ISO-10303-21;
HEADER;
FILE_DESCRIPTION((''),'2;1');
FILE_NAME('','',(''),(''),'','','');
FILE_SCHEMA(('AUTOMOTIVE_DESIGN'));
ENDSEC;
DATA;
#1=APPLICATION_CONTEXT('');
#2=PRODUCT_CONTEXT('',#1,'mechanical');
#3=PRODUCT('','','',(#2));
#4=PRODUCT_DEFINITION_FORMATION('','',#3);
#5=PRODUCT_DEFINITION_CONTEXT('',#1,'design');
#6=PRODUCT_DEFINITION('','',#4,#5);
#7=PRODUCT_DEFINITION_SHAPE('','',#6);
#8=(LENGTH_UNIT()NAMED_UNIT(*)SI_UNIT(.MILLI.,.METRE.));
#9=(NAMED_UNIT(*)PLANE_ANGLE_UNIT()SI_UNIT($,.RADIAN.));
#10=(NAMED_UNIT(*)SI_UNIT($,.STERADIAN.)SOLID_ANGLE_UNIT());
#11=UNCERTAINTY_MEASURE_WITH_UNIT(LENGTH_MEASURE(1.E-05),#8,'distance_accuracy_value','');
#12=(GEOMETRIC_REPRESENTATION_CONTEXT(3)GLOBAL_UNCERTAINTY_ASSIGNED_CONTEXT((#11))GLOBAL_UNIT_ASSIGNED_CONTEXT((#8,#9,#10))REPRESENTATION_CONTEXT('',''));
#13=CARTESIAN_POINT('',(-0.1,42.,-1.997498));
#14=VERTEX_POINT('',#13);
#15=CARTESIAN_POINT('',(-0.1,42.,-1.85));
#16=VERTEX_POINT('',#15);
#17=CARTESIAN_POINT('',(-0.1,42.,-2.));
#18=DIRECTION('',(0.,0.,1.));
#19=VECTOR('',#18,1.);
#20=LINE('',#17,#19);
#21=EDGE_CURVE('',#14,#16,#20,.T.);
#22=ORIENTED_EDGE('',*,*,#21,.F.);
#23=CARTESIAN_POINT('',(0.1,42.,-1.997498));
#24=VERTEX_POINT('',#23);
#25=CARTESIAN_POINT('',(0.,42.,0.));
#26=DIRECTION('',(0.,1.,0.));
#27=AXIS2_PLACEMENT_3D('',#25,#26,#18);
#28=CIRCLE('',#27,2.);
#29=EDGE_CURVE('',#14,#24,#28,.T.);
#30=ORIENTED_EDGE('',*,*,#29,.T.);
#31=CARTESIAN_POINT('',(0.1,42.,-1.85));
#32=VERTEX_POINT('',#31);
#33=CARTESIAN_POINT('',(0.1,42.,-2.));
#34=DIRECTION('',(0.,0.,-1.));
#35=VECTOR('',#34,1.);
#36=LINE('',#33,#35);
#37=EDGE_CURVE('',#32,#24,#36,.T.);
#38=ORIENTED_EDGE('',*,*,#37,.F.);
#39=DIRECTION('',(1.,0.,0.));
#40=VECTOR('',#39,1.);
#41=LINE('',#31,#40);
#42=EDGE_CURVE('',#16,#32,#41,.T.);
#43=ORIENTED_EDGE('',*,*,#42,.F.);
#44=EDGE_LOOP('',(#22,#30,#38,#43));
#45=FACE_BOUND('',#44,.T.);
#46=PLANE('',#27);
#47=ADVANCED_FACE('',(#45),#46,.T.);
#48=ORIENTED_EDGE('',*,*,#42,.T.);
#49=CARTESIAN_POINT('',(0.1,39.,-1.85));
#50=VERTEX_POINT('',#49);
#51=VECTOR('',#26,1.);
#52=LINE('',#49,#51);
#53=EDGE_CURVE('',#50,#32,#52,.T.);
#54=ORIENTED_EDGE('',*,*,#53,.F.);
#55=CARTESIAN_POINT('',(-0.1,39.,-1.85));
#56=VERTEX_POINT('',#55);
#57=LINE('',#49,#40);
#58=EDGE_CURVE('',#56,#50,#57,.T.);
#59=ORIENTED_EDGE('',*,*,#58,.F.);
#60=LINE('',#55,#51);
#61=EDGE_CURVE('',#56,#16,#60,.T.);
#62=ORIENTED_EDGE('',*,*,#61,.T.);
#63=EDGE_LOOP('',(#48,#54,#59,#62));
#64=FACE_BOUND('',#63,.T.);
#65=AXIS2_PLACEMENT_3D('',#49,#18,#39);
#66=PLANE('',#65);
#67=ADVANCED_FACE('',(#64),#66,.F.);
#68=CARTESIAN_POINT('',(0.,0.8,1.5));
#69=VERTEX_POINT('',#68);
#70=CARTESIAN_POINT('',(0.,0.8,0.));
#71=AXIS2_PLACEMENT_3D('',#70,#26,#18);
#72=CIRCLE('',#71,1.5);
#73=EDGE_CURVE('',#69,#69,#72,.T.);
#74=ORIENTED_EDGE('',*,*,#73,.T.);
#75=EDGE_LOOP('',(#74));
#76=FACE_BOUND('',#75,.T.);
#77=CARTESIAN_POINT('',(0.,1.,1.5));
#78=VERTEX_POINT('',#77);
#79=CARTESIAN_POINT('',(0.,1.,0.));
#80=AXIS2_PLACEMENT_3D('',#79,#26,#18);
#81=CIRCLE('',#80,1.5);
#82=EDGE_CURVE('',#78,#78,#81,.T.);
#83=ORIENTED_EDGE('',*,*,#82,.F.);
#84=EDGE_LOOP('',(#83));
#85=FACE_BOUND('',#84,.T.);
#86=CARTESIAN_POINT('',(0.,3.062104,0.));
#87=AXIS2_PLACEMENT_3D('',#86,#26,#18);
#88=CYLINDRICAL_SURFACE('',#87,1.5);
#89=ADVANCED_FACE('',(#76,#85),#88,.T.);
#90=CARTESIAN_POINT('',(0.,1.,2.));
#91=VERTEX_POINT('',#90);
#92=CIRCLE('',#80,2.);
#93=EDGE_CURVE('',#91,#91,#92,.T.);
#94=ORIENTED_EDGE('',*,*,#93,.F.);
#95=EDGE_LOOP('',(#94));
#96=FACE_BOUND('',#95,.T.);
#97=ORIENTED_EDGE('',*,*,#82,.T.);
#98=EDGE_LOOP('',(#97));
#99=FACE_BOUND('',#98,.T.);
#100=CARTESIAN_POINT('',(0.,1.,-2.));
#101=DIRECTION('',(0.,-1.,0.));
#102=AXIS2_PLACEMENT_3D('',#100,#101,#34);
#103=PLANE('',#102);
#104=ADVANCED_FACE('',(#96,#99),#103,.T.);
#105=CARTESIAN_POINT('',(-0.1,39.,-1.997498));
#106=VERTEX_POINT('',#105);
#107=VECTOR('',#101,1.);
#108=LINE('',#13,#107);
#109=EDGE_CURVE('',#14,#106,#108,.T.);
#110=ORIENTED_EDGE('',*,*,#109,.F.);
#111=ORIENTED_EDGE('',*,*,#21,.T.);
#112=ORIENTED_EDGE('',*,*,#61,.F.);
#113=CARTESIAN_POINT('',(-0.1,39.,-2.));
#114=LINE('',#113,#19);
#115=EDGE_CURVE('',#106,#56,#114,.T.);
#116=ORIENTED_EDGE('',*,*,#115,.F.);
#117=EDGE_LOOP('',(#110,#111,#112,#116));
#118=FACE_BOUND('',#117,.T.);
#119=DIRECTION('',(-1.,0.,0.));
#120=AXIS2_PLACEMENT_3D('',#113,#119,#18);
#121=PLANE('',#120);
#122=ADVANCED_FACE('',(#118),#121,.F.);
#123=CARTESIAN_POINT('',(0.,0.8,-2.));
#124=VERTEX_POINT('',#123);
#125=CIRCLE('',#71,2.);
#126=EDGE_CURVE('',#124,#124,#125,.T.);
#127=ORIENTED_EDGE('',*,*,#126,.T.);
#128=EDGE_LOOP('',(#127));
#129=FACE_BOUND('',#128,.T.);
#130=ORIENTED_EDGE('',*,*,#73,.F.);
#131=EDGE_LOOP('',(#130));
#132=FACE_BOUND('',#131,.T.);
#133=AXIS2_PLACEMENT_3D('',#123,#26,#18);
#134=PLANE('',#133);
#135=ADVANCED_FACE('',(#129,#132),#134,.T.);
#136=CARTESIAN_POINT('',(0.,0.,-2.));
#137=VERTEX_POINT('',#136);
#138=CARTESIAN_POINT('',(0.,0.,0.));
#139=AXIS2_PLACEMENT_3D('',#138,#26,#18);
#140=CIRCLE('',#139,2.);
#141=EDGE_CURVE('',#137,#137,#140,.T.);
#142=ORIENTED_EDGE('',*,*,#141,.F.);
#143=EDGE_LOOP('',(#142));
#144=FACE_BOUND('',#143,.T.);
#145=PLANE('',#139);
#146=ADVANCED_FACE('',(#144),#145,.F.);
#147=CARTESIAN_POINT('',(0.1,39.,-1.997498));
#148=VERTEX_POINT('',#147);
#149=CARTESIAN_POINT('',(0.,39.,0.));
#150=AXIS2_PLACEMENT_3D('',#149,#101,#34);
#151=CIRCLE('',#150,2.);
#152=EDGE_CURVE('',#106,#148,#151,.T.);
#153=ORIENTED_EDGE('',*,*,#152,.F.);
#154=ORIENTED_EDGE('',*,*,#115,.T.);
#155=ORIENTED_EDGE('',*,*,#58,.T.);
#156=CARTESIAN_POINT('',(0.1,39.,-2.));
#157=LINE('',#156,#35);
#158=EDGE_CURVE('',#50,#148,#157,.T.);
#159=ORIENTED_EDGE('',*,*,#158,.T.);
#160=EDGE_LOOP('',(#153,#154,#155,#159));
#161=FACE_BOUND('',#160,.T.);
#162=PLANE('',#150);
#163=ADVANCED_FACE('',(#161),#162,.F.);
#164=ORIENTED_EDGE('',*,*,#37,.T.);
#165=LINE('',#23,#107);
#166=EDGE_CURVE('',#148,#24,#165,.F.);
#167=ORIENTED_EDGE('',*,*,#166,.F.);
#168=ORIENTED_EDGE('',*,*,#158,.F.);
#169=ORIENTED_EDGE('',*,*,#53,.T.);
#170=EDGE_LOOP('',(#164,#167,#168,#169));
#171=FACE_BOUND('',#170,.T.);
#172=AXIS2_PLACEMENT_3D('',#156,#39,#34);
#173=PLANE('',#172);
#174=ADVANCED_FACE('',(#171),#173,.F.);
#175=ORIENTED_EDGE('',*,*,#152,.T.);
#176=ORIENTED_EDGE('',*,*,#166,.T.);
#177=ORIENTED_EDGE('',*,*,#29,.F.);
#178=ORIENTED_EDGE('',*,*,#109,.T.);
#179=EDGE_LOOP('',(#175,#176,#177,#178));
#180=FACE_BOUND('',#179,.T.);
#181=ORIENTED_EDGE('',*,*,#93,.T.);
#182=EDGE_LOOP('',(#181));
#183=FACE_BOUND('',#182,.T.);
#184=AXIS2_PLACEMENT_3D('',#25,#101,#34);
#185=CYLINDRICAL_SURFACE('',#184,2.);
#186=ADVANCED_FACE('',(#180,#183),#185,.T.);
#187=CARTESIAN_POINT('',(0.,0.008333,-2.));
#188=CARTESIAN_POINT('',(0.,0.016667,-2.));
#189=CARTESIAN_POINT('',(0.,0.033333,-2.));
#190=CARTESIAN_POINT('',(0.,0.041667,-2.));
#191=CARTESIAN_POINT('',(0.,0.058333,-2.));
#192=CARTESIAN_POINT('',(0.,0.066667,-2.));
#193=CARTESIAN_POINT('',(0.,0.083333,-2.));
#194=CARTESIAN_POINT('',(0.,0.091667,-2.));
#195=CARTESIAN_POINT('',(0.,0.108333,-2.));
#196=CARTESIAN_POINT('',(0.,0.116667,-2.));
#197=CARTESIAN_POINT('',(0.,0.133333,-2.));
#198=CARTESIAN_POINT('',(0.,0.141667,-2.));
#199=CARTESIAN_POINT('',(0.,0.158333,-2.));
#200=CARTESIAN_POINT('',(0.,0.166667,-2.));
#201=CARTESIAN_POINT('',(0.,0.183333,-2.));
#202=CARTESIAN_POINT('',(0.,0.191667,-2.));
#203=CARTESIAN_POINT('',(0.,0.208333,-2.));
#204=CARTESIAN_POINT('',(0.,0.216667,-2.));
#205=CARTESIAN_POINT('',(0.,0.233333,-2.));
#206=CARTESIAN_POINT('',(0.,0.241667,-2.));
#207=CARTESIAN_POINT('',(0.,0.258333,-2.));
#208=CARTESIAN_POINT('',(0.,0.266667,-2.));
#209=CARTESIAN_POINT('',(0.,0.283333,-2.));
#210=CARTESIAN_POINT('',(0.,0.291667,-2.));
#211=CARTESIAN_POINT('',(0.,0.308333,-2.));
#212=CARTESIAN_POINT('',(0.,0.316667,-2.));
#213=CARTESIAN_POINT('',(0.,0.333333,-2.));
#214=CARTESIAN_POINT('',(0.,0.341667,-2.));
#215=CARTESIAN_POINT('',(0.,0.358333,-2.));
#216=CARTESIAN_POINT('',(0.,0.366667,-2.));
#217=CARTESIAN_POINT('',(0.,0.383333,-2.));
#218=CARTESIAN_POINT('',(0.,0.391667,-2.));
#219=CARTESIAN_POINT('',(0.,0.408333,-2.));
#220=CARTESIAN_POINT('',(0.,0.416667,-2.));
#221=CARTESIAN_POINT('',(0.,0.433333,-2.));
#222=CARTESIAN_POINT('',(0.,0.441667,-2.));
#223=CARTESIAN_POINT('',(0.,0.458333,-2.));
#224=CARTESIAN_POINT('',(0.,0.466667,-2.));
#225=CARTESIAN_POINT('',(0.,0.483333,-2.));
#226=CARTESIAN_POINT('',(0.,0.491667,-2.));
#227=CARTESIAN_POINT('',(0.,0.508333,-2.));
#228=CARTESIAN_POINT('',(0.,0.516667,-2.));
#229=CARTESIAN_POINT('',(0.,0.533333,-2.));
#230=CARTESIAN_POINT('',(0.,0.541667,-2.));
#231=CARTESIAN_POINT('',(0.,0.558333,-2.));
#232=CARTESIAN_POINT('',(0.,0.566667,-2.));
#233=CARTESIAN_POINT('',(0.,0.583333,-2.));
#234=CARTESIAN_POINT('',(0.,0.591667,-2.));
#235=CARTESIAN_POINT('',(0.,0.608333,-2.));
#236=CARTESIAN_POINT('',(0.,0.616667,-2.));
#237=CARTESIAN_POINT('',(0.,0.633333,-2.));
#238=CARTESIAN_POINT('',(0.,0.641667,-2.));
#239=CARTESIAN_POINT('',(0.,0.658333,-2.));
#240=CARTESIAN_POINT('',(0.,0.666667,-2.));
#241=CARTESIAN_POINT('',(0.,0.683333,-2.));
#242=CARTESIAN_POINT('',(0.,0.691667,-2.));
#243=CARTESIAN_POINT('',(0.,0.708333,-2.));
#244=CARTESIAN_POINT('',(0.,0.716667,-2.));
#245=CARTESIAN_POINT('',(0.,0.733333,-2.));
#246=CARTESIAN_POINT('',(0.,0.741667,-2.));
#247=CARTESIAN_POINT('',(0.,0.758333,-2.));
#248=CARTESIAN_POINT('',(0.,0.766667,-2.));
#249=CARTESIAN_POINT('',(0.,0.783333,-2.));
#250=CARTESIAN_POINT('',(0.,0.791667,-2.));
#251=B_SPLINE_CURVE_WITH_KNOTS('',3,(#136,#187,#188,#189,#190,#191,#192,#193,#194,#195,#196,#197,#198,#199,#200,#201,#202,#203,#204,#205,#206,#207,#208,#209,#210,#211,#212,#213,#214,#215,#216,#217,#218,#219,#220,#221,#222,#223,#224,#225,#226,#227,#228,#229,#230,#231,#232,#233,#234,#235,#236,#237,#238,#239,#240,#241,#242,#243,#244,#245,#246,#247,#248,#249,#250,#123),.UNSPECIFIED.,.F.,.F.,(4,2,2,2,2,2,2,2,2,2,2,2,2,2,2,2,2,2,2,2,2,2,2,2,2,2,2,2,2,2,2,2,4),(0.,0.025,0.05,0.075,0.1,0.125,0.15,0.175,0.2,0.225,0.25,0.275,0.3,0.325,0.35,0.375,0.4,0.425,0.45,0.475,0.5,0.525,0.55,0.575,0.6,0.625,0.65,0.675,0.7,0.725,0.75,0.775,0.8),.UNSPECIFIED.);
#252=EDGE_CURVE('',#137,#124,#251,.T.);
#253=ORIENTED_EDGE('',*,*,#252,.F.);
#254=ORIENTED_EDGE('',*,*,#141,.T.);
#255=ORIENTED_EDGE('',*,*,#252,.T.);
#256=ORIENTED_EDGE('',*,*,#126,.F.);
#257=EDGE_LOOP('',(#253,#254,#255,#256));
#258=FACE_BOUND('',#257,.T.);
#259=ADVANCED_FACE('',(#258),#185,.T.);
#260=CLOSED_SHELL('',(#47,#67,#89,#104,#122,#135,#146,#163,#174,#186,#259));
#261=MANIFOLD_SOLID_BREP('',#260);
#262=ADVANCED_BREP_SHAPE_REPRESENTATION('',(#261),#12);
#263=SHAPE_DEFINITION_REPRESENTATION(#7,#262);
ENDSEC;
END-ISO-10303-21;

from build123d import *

# Parameters (mm, degrees)
SKETCH1_R           = 2
BOSS_EXTRUDE1_DEPTH = 42
SKETCH2_W           = 0.5
SKETCH2_H           = 0.2
SKETCH3_W           = 0.2
SKETCH3_H           = 0.15
CUT_EXTRUDE1_DEPTH  = 3


with BuildPart() as part:
    # Sketch1 → Boss-Extrude1 (new body)
    with BuildSketch(Plane(origin=(0, 0, 0), x_dir=(1, 0, 0), z_dir=(0, 1, 0))):
        with Locations(Location((0, 0, 0), (0, 0, 90))):
            Circle(SKETCH1_R)
    extrude(amount=BOSS_EXTRUDE1_DEPTH)

    # Sketch2 → Cut-Revolve1 (revolve, cut)
    with BuildSketch(Plane(origin=(0, 0, 0), x_dir=(0, 0, -1), z_dir=(1, 0, 0))):
        with Locations((1.75, 0.9)):
            Rectangle(SKETCH2_W, SKETCH2_H)
    revolve(axis=Axis((0, 3.062104398, 0), (0, -1, 0)), mode=Mode.SUBTRACT)

    # Sketch3 → Cut-Extrude1 (cut)
    with BuildSketch(Plane(origin=(0, 42, 0), x_dir=(1, 0, 0), z_dir=(0, 1, 0))):
        with Locations((0, 1.925)):
            Rectangle(SKETCH3_W, SKETCH3_H)
    extrude(amount=-CUT_EXTRUDE1_DEPTH, mode=Mode.SUBTRACT)


solid = part.part
